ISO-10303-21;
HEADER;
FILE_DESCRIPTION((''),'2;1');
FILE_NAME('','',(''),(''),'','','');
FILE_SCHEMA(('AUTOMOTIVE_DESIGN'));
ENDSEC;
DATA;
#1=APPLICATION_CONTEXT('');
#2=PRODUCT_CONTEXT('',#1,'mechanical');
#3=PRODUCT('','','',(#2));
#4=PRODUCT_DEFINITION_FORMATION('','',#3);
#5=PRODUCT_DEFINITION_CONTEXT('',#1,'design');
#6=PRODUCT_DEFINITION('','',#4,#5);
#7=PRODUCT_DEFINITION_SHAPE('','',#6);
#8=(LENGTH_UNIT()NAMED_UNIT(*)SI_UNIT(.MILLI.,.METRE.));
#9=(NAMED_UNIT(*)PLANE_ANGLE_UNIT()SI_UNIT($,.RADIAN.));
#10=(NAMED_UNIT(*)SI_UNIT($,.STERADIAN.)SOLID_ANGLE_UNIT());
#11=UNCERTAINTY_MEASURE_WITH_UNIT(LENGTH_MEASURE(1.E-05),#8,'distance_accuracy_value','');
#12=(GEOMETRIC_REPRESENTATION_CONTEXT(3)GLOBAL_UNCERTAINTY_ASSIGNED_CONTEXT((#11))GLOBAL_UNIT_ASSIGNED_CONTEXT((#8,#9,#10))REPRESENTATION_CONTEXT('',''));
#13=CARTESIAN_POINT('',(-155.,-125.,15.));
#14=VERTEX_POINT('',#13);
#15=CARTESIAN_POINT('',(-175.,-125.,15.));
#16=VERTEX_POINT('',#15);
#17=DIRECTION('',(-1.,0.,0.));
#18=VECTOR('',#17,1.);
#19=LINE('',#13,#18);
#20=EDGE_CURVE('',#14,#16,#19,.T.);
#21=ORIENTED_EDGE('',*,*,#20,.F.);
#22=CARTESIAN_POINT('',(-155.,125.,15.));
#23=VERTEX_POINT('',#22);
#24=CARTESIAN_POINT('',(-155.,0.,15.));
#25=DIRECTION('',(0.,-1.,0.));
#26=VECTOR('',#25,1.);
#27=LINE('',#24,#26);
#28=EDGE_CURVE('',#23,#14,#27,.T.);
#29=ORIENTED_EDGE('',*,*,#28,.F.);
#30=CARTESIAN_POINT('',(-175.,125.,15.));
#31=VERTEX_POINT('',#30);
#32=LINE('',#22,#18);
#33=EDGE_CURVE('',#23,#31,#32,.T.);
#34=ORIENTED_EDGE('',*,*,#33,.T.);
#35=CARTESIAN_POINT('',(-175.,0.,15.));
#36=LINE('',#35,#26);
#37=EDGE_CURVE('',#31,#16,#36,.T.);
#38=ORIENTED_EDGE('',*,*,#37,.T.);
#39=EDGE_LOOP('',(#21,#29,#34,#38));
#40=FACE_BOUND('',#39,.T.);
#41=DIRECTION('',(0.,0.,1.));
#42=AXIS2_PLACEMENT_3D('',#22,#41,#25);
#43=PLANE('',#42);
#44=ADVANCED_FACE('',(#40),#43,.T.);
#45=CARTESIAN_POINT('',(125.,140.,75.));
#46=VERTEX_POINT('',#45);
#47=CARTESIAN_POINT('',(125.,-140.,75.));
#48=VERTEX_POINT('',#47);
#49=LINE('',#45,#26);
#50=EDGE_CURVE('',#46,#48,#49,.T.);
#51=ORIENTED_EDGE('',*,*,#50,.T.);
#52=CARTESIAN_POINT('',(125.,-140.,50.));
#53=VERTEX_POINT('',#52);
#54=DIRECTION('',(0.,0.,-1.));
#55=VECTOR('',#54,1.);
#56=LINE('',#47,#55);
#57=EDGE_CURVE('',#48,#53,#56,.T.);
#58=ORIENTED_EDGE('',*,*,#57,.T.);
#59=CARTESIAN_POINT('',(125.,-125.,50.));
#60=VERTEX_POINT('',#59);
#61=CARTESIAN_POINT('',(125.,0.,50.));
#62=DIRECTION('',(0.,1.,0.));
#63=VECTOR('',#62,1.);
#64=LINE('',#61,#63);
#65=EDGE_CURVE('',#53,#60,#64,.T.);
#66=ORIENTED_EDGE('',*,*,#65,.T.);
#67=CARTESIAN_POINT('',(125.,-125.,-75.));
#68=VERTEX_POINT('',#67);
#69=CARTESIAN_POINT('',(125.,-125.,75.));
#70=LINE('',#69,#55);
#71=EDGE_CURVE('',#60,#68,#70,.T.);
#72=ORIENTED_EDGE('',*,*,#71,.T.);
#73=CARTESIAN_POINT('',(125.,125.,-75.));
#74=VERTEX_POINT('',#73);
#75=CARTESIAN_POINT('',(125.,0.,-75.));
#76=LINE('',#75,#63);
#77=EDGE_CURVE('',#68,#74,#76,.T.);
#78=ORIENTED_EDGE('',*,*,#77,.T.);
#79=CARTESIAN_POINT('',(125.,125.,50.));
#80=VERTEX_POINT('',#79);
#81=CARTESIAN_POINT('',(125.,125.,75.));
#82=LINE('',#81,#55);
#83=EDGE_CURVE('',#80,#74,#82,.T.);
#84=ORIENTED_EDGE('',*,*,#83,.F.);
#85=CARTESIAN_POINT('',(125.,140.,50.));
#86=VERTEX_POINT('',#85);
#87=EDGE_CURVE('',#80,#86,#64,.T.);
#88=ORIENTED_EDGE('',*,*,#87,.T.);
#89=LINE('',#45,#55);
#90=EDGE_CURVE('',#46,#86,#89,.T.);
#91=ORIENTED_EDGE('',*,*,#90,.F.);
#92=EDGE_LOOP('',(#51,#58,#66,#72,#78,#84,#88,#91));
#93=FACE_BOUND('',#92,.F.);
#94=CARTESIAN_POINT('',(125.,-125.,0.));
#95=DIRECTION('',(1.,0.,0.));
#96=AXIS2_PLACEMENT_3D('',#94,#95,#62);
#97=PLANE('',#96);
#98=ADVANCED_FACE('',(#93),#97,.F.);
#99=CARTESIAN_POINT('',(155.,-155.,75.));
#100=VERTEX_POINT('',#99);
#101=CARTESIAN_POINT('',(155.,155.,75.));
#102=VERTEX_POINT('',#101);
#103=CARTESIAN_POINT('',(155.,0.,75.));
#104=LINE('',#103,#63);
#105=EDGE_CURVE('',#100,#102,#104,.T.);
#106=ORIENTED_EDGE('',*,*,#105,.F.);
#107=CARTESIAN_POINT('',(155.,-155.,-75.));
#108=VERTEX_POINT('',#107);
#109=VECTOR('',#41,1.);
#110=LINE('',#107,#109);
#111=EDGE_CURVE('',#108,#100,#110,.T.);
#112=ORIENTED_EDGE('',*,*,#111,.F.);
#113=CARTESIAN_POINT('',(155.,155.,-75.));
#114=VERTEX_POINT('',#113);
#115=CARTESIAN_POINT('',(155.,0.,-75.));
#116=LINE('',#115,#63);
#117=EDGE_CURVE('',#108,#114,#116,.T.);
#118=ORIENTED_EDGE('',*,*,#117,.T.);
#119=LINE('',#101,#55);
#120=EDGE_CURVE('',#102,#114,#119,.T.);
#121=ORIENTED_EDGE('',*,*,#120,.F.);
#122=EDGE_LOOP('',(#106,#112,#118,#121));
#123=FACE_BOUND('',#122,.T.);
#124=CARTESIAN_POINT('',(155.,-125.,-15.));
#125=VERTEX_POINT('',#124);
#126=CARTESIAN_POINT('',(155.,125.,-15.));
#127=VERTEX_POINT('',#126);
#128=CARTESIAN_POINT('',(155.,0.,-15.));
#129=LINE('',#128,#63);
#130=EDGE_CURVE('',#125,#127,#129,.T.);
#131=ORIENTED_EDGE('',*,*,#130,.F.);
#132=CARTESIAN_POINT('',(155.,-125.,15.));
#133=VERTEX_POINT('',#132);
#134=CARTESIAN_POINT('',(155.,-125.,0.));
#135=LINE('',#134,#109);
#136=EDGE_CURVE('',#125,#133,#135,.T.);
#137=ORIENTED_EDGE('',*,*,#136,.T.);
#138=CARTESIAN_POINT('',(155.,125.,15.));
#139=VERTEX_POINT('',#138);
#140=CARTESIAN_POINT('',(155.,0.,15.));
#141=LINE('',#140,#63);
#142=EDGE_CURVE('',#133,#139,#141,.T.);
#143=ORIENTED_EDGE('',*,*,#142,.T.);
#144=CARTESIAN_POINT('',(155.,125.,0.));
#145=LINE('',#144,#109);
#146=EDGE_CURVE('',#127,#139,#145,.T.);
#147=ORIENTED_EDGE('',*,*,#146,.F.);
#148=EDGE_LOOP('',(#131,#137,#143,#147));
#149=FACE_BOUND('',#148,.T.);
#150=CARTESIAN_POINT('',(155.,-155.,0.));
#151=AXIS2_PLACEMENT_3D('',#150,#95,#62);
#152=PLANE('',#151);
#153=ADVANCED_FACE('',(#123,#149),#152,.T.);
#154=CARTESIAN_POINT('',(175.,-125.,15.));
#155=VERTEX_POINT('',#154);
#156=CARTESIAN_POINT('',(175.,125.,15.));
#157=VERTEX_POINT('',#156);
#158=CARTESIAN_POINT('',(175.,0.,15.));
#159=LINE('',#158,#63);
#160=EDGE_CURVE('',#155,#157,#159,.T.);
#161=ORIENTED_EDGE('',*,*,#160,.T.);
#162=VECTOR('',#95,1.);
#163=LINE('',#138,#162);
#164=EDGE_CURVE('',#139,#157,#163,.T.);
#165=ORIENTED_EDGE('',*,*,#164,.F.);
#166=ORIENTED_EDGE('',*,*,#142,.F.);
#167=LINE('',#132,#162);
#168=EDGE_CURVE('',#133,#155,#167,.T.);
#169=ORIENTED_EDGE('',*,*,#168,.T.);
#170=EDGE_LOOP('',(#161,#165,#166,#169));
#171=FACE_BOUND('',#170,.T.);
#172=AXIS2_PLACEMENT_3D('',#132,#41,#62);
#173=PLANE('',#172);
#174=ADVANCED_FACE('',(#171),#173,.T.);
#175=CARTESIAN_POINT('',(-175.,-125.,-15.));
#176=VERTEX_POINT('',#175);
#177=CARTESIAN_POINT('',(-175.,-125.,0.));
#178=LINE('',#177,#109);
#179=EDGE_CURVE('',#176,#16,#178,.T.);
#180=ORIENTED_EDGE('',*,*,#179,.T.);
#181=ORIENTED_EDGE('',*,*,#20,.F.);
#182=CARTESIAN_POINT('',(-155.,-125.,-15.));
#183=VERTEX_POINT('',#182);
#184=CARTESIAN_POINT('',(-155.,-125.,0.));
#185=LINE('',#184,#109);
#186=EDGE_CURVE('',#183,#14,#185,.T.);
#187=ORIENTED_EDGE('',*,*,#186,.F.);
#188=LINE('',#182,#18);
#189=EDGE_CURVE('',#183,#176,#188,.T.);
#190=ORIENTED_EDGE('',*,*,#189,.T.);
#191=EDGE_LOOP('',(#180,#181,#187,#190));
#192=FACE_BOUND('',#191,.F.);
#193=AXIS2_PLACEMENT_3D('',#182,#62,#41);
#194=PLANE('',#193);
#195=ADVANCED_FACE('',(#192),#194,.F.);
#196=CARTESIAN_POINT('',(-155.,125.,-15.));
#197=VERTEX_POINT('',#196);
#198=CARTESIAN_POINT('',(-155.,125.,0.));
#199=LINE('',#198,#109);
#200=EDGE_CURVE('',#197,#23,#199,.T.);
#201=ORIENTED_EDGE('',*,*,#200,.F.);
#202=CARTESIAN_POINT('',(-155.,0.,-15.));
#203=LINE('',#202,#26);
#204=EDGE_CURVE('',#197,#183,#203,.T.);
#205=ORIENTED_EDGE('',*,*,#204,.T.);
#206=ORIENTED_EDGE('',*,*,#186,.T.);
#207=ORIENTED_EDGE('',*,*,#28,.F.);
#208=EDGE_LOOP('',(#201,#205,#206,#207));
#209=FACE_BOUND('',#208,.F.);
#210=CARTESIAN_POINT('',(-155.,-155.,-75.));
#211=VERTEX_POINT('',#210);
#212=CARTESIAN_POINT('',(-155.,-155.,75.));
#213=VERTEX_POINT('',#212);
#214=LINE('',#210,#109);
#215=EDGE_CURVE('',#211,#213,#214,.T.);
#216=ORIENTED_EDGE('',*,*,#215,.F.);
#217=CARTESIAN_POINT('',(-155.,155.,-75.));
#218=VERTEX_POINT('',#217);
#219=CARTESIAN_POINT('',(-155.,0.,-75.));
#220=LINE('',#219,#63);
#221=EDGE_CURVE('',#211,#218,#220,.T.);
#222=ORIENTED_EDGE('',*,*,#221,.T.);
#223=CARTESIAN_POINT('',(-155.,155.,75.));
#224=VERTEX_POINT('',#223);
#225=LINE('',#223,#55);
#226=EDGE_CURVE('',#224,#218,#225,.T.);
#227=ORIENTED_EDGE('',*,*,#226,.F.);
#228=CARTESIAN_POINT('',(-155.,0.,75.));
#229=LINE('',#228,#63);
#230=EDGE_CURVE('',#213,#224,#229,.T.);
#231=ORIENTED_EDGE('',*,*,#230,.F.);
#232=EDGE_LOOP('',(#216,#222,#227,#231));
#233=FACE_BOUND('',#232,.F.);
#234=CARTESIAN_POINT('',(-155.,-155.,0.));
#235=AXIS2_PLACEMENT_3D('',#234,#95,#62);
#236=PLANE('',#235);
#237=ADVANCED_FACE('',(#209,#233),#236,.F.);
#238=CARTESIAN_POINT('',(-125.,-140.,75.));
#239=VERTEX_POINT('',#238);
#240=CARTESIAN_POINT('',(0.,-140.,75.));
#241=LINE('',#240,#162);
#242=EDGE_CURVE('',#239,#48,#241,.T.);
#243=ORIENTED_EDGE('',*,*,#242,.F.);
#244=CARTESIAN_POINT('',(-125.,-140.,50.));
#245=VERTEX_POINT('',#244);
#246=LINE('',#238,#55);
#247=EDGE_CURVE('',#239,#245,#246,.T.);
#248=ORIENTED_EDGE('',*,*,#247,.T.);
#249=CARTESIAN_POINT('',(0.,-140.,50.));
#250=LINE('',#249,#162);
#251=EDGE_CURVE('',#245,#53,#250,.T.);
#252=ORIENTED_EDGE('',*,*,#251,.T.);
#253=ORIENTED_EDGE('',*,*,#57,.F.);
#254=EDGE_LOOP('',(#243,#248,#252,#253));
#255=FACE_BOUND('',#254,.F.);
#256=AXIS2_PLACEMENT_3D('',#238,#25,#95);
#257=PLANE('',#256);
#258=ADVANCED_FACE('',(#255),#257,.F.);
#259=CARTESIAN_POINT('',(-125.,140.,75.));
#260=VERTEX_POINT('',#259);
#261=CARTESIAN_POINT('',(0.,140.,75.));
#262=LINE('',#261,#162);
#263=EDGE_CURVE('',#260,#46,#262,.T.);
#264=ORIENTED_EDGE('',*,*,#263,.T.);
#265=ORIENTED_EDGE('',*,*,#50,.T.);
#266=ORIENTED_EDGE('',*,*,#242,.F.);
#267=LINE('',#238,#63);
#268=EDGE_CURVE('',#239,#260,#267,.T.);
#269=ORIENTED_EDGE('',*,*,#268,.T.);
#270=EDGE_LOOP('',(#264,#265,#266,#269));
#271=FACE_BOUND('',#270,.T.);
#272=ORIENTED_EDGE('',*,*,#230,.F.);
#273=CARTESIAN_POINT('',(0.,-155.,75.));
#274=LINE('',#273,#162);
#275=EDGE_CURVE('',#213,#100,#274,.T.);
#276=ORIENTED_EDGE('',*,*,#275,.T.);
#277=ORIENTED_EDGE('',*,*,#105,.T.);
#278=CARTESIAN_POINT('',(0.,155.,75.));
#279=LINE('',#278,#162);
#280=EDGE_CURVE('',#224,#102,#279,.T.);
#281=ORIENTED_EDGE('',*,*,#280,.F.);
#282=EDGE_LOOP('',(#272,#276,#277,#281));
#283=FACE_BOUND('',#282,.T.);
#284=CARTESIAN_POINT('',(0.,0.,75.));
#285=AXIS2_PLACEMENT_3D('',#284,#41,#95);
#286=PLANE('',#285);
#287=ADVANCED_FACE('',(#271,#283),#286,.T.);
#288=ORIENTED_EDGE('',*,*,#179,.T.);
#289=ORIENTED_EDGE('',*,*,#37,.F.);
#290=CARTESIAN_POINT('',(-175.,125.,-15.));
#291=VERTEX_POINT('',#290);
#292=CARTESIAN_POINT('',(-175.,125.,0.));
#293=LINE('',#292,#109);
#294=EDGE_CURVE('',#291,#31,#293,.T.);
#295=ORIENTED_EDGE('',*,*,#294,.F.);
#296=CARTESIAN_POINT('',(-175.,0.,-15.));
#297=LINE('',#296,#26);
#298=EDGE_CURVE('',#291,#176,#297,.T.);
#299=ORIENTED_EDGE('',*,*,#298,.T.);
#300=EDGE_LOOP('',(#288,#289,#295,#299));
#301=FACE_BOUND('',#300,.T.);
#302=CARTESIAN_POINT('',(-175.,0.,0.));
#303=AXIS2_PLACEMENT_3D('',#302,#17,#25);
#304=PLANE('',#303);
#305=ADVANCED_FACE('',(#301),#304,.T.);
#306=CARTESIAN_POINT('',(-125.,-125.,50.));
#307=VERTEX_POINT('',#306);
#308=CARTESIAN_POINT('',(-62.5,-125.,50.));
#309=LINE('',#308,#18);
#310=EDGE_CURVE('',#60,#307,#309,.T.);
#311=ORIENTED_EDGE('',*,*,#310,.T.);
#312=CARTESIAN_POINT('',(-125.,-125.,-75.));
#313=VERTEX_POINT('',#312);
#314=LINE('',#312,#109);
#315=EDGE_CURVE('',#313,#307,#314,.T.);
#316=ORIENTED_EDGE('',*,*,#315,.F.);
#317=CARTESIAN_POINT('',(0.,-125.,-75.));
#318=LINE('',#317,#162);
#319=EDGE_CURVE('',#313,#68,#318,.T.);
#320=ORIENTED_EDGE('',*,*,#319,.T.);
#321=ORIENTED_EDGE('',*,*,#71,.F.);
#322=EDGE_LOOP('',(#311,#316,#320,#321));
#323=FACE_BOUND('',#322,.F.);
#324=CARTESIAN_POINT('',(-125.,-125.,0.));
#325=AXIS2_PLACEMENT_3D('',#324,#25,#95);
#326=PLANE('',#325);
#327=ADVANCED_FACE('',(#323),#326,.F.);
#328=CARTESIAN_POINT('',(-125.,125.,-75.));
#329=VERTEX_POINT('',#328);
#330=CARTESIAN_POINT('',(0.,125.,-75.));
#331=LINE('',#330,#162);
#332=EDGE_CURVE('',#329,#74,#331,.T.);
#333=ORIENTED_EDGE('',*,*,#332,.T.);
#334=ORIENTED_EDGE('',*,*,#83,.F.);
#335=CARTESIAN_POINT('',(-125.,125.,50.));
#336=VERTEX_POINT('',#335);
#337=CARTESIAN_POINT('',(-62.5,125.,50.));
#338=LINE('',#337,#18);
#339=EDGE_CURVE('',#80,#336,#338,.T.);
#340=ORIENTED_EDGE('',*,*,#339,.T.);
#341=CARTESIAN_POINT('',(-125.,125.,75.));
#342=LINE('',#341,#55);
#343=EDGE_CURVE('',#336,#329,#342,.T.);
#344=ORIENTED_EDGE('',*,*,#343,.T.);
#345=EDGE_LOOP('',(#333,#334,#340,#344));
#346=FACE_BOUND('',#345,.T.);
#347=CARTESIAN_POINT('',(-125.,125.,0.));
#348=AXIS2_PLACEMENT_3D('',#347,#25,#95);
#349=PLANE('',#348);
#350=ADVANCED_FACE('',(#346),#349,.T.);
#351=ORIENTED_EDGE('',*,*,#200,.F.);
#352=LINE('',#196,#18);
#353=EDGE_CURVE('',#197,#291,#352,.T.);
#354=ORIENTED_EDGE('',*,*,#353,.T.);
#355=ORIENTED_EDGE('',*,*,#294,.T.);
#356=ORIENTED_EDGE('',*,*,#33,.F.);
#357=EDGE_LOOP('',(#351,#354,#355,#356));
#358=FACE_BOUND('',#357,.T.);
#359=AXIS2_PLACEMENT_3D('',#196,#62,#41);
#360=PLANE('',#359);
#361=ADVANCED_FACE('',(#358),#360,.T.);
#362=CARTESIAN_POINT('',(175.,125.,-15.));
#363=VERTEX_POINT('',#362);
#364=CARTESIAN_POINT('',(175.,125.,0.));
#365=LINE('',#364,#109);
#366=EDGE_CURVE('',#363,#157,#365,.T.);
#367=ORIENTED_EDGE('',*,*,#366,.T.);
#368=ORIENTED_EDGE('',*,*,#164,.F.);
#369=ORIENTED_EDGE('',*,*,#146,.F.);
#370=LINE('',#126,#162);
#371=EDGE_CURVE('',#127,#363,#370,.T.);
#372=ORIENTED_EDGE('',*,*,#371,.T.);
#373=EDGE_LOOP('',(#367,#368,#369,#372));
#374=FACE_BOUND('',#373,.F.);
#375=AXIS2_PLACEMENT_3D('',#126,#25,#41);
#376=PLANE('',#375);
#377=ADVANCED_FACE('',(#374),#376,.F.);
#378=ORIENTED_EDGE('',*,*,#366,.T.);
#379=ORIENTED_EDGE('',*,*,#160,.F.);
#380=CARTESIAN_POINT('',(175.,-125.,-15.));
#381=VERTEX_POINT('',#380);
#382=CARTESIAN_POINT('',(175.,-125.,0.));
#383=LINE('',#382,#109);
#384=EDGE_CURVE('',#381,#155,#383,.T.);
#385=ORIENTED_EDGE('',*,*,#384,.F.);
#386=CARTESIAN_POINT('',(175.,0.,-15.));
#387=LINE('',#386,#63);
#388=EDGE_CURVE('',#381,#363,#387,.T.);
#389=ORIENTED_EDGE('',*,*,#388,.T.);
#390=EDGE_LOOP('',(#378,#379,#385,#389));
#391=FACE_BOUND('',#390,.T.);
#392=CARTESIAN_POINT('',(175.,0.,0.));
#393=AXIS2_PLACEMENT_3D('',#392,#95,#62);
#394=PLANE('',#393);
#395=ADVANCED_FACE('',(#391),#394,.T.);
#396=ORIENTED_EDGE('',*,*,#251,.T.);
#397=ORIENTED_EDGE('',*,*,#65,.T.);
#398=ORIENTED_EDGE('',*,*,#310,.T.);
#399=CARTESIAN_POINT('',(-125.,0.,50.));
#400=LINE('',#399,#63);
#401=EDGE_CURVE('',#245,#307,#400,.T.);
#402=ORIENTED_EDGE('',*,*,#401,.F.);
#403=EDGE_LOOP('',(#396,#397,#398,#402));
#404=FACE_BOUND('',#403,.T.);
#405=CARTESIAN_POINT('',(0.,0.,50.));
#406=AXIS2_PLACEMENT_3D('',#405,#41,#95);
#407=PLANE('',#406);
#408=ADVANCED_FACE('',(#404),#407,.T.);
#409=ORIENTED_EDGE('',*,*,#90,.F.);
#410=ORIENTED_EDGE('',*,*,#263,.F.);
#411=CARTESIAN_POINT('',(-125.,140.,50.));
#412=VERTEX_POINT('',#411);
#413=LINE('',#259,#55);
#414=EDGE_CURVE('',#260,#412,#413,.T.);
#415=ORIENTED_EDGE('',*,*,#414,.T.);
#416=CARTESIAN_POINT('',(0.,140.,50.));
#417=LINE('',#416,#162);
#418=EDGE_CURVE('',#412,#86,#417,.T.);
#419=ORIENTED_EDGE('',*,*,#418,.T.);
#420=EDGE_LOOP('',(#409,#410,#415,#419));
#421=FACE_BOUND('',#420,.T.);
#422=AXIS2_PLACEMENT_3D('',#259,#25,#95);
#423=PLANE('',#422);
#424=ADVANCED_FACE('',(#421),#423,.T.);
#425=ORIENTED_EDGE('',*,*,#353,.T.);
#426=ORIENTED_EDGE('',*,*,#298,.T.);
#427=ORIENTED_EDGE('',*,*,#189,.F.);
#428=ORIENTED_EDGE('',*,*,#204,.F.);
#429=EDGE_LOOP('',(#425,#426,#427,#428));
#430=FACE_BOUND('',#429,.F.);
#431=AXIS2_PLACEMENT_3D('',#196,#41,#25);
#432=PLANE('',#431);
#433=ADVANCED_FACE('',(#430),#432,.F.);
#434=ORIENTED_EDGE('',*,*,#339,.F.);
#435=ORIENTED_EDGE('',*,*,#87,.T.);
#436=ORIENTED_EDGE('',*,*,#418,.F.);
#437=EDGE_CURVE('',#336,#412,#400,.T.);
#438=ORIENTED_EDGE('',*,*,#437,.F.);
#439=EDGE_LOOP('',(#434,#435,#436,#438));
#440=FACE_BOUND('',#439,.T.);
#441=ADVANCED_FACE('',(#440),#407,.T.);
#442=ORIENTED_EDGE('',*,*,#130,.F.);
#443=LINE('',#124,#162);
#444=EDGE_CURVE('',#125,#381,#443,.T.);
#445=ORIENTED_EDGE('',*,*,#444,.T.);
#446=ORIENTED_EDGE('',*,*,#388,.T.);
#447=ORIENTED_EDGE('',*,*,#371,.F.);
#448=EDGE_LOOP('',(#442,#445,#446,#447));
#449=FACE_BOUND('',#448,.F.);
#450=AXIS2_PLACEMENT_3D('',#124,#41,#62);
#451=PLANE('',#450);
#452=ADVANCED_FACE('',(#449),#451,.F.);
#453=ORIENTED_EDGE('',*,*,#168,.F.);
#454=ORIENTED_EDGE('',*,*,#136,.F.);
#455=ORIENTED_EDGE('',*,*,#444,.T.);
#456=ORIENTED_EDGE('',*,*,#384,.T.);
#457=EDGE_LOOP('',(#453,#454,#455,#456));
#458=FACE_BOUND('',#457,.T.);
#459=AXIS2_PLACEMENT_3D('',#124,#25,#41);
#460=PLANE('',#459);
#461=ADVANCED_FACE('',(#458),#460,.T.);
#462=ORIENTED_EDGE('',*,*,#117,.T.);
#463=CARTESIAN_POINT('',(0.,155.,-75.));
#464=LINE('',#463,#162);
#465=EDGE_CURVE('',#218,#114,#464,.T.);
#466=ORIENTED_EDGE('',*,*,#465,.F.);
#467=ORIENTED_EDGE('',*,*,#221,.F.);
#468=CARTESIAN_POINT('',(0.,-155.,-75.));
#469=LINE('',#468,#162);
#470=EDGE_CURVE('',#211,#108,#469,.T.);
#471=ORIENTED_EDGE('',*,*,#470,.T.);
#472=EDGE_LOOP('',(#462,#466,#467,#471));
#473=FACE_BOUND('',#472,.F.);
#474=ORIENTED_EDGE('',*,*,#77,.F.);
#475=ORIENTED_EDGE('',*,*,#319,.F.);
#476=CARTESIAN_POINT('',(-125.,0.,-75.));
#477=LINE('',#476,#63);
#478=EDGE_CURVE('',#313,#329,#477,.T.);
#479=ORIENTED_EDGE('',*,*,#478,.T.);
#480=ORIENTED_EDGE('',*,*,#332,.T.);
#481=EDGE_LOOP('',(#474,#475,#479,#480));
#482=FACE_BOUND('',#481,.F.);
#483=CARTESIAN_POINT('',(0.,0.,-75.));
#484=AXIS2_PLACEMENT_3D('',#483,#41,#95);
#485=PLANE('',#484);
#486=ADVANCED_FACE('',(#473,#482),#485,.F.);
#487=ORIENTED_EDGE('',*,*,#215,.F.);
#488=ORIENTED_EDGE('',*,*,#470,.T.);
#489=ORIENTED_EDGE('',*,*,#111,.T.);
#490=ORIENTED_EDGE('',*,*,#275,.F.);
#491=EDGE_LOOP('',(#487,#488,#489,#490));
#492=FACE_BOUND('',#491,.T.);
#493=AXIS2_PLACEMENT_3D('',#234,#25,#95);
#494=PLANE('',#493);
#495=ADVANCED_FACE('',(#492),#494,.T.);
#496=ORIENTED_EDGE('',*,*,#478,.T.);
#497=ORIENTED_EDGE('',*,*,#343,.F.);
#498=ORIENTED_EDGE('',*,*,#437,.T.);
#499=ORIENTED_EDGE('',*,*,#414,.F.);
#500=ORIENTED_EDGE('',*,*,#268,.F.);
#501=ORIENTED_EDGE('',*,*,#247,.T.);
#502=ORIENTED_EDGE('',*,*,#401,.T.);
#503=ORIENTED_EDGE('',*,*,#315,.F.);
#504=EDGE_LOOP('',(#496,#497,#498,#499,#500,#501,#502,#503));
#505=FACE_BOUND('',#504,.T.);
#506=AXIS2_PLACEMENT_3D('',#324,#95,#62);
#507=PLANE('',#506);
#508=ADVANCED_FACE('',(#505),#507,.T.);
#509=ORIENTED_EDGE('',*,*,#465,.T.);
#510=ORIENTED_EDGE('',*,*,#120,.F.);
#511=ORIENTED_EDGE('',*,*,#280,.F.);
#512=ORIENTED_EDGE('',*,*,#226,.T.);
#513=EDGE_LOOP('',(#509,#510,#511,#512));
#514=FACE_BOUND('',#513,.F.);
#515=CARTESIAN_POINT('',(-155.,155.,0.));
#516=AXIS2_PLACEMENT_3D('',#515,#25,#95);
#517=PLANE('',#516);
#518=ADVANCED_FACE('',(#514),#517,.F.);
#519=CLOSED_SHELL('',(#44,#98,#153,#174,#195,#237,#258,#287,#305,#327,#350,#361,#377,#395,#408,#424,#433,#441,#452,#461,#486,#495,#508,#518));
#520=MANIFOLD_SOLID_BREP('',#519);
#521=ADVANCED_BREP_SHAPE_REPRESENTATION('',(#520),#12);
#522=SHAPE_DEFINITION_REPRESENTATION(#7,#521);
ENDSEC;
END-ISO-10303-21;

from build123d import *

# Parameters (mm, degrees)
F0_W     = 310
F0_H     = 310
F0_W_2   = 250
F0_H_2   = 250
F1_DEPTH = 75
F3_W     = 250
F3_H     = 280
F4_DEPTH = 25
F5_W     = 250
F5_H     = 30
F6_DEPTH = 20
F7_W     = 250
F7_H     = 30
F8_DEPTH = 20


with BuildPart() as f1:
    # F0 (on Top) → F1 (new body, symmetric)
    with BuildSketch(Plane.XY):
        Rectangle(F0_W, F0_H)
        Rectangle(F0_W_2, F0_H_2, mode=Mode.SUBTRACT)
    extrude(amount=F1_DEPTH, both=True)

    # F3 (on offset) → F4 (cut)
    with BuildSketch(Plane.XY.offset(75)):
        Rectangle(F3_W, F3_H)
    extrude(amount=-F4_DEPTH, mode=Mode.SUBTRACT)

    # F5 (on face) → F6 (join)
    with BuildSketch(Plane(origin=(-155, 0, 0), x_dir=(0, -1, 0), z_dir=(-1, 0, 0))):
        Rectangle(F5_W, F5_H)
    extrude(amount=F6_DEPTH)

    # F7 (on face) → F8 (join)
    with BuildSketch(Plane.YZ.offset(155)):
        Rectangle(F7_W, F7_H)
    extrude(amount=F8_DEPTH)


solid = f1.part
